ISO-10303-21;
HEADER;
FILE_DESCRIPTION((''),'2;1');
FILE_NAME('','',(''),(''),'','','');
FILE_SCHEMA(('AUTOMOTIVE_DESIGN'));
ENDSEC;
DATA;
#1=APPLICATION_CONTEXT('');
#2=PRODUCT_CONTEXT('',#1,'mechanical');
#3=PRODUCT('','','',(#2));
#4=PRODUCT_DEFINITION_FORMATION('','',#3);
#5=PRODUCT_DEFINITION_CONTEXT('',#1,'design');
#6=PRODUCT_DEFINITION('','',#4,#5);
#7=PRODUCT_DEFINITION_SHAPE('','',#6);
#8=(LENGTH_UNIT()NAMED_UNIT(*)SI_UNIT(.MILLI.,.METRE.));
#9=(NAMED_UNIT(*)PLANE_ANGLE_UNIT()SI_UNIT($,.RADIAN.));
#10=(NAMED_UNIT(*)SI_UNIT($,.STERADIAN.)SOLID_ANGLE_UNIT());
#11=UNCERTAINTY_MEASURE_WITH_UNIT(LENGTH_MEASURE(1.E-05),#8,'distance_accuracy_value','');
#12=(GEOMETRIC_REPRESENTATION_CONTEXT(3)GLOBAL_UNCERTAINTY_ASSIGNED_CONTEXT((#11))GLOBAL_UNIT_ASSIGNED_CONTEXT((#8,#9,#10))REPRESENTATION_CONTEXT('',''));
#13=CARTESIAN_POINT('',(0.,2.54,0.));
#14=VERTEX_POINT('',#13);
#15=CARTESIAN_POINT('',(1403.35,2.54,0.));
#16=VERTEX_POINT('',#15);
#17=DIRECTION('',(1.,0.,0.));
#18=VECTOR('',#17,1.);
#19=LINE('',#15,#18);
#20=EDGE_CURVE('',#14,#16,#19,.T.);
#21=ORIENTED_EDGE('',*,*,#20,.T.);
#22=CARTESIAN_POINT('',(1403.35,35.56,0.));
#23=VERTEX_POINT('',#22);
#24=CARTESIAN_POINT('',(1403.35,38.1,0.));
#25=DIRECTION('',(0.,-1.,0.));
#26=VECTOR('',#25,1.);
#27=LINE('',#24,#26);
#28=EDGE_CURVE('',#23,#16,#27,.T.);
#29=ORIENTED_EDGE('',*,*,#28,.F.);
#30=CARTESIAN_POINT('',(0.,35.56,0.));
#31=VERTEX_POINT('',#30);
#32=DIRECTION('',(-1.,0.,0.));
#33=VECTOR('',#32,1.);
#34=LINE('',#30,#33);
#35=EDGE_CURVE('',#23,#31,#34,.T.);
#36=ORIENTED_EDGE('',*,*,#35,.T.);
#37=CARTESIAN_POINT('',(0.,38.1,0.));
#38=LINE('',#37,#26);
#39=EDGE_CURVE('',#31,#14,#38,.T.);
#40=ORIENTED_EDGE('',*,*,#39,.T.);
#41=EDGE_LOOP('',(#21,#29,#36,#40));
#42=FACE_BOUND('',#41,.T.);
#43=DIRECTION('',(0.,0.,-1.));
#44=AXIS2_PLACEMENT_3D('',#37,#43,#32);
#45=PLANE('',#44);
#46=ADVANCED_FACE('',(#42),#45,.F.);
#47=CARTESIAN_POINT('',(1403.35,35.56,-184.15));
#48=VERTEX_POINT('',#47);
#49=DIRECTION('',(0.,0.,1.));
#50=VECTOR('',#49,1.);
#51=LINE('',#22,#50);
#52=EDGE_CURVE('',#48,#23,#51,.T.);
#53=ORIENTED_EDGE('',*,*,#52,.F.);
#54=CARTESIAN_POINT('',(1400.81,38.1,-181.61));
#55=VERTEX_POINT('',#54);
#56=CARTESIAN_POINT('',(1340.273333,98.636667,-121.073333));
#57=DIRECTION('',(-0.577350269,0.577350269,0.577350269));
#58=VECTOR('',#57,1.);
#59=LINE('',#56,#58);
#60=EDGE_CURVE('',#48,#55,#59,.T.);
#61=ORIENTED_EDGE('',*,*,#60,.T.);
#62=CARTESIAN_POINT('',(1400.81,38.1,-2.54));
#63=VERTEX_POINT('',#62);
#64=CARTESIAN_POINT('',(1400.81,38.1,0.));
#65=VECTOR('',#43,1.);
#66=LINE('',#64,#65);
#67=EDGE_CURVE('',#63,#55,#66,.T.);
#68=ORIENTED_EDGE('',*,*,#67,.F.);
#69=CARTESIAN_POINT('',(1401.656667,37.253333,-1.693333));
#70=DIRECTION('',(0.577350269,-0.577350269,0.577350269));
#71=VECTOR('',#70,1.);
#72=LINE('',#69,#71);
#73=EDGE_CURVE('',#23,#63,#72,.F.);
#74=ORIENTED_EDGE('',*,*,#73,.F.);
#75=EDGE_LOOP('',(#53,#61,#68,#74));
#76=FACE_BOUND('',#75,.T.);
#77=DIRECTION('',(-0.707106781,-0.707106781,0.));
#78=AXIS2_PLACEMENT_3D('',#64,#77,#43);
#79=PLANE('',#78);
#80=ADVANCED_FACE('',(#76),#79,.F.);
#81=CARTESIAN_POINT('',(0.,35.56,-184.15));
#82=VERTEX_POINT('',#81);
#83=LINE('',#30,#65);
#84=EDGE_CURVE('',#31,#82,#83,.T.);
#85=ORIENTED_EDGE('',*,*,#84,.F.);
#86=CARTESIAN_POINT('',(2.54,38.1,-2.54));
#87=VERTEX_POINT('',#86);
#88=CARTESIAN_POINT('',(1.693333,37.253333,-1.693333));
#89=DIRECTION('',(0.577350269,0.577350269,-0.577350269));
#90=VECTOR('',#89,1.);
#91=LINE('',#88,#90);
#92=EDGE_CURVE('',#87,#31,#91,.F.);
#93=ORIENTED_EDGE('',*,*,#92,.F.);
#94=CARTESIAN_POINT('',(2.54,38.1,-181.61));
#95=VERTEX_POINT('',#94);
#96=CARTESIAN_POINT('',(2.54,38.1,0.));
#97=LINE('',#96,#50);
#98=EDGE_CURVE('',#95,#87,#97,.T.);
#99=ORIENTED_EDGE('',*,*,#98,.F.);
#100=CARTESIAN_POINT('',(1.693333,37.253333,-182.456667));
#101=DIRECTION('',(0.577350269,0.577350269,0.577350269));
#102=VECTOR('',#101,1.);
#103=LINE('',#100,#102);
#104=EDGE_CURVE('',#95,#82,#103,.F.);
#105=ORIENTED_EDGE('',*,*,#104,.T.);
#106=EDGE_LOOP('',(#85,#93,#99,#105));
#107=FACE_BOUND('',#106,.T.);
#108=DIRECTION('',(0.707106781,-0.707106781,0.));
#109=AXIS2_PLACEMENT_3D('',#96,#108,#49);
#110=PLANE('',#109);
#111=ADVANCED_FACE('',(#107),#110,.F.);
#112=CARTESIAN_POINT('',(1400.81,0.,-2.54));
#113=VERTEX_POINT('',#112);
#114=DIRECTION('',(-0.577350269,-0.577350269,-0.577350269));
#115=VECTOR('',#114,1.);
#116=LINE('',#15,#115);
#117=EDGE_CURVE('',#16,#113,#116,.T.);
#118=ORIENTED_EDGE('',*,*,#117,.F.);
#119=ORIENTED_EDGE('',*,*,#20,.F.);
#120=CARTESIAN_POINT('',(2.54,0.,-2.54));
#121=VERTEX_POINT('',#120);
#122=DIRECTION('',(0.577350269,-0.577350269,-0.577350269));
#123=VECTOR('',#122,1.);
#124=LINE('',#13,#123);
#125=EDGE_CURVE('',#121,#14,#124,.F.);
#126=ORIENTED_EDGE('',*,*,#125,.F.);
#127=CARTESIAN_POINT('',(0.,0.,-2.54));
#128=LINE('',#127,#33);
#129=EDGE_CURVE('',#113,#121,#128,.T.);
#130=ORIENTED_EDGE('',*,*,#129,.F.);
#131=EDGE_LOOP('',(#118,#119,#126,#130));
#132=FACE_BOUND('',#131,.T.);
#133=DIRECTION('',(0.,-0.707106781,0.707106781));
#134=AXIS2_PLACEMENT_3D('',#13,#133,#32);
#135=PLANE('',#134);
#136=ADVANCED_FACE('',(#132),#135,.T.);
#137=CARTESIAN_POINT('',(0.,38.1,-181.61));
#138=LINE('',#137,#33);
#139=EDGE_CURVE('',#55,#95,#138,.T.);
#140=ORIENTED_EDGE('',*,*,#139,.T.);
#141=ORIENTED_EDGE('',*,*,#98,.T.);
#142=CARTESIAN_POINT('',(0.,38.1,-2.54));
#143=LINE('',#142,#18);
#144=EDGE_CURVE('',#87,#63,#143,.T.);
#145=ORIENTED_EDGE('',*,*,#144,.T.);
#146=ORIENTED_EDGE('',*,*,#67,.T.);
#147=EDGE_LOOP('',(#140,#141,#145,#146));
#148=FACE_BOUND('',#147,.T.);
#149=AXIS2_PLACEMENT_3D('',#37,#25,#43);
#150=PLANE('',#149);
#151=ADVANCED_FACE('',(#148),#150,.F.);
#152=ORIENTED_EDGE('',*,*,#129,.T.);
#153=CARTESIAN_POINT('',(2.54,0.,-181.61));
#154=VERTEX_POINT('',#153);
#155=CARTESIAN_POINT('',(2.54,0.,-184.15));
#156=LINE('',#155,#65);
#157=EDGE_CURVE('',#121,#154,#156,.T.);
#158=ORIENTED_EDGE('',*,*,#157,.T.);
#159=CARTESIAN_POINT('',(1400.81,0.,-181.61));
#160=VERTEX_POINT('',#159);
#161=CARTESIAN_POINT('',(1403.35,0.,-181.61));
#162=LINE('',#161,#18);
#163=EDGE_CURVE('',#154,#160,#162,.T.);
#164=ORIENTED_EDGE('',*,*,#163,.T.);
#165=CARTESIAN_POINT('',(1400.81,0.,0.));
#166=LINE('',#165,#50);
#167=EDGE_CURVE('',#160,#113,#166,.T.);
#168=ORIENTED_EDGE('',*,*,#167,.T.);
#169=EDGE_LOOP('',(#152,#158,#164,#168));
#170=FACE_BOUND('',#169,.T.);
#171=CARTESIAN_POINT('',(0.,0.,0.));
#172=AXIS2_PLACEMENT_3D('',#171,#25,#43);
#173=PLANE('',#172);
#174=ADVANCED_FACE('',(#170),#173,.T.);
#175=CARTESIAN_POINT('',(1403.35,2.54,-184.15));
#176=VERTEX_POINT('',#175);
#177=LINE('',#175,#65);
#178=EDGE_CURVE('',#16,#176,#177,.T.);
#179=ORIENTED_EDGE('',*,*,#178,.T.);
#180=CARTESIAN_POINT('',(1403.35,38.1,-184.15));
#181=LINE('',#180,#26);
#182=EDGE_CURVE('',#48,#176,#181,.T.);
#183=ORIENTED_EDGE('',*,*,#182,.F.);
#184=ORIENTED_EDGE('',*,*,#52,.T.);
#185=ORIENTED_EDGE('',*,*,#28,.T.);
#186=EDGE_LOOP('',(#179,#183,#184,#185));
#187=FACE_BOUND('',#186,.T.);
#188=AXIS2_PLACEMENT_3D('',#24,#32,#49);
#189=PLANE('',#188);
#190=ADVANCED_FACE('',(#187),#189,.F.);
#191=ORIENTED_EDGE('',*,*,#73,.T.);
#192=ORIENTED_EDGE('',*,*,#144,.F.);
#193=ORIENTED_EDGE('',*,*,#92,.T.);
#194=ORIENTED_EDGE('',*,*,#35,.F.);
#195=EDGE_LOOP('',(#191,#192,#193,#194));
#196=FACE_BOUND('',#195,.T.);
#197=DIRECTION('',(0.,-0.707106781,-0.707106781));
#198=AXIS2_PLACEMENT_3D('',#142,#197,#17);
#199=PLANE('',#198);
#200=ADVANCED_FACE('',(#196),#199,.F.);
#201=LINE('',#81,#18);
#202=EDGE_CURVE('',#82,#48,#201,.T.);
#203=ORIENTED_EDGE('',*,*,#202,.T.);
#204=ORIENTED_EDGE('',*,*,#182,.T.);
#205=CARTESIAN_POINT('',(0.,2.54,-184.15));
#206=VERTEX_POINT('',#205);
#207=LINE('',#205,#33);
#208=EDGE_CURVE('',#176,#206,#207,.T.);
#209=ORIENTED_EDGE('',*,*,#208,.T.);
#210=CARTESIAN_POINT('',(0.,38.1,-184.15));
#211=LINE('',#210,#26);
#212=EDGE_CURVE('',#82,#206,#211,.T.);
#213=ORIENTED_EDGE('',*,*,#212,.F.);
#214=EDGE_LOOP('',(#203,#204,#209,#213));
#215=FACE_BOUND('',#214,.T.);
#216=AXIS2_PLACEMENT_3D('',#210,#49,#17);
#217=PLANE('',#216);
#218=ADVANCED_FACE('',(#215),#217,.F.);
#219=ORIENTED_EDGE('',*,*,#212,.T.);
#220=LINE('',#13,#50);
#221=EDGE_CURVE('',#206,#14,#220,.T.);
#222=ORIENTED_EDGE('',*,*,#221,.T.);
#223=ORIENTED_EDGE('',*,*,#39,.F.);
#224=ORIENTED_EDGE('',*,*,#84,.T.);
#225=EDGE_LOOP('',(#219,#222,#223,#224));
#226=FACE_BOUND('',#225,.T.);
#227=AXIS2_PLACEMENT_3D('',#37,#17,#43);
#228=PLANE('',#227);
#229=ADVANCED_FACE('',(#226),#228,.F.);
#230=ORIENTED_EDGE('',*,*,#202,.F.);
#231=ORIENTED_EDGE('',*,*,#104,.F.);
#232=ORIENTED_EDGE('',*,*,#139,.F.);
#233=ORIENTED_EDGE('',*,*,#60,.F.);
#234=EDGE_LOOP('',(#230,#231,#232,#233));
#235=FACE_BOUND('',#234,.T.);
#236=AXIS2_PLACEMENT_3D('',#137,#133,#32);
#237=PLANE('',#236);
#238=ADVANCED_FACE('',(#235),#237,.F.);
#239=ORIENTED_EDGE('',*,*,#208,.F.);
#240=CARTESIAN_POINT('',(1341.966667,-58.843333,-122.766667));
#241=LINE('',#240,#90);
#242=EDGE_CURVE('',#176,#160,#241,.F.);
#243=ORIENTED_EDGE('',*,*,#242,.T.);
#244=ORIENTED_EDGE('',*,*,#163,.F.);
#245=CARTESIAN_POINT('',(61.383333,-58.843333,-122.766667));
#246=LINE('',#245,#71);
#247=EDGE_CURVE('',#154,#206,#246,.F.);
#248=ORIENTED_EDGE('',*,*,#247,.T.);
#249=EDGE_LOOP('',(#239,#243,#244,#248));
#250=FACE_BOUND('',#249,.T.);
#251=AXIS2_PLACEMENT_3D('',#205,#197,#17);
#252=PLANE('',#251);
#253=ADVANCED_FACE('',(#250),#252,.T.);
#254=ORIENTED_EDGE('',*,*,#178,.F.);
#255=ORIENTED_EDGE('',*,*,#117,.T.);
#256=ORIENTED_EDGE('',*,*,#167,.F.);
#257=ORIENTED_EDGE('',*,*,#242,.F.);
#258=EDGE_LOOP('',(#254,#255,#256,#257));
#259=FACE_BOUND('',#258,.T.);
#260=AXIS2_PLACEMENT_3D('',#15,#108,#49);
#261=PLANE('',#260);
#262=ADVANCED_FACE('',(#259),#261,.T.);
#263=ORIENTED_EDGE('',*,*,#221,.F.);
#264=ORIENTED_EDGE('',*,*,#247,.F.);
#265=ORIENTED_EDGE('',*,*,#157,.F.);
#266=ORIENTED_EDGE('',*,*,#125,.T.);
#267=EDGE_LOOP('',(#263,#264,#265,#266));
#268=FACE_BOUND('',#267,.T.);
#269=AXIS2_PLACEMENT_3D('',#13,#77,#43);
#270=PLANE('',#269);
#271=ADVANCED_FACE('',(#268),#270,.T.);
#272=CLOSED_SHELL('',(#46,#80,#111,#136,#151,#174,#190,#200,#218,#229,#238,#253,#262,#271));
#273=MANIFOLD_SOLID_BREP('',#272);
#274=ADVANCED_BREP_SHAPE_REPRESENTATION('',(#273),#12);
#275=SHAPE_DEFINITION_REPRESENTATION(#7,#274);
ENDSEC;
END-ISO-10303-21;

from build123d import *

# Parameters (mm, degrees)
SKETCH1_W           = 1403.35
SKETCH1_H           = 184.15
BOSS_EXTRUDE1_DEPTH = 38.1
CHAMFER1_SIZE       = 2.54


with BuildPart() as part:
    # Sketch1 → Boss-Extrude1 (new body)
    with BuildSketch(Plane(origin=(0, 0, 0), x_dir=(1, 0, 0), z_dir=(0, 1, 0))):
        with Locations((701.675, 92.075)):
            Rectangle(SKETCH1_W, SKETCH1_H)
    extrude(amount=BOSS_EXTRUDE1_DEPTH)

    # Chamfer1
    chamfer1_edges = [part.edges().sort_by_distance(p)[0] for p in [
        (0, 38.1, -92.075),
        (701.675, 38.1, 0),
        (1403.35, 38.1, -92.075),
        (701.675, 0, 0),
        (0, 0, -92.075),
        (701.675, 0, -184.15),
        (1403.35, 0, -92.075),
        (701.675, 38.1, -184.15),
    ]]
    chamfer(chamfer1_edges, length=CHAMFER1_SIZE)


solid = part.part
